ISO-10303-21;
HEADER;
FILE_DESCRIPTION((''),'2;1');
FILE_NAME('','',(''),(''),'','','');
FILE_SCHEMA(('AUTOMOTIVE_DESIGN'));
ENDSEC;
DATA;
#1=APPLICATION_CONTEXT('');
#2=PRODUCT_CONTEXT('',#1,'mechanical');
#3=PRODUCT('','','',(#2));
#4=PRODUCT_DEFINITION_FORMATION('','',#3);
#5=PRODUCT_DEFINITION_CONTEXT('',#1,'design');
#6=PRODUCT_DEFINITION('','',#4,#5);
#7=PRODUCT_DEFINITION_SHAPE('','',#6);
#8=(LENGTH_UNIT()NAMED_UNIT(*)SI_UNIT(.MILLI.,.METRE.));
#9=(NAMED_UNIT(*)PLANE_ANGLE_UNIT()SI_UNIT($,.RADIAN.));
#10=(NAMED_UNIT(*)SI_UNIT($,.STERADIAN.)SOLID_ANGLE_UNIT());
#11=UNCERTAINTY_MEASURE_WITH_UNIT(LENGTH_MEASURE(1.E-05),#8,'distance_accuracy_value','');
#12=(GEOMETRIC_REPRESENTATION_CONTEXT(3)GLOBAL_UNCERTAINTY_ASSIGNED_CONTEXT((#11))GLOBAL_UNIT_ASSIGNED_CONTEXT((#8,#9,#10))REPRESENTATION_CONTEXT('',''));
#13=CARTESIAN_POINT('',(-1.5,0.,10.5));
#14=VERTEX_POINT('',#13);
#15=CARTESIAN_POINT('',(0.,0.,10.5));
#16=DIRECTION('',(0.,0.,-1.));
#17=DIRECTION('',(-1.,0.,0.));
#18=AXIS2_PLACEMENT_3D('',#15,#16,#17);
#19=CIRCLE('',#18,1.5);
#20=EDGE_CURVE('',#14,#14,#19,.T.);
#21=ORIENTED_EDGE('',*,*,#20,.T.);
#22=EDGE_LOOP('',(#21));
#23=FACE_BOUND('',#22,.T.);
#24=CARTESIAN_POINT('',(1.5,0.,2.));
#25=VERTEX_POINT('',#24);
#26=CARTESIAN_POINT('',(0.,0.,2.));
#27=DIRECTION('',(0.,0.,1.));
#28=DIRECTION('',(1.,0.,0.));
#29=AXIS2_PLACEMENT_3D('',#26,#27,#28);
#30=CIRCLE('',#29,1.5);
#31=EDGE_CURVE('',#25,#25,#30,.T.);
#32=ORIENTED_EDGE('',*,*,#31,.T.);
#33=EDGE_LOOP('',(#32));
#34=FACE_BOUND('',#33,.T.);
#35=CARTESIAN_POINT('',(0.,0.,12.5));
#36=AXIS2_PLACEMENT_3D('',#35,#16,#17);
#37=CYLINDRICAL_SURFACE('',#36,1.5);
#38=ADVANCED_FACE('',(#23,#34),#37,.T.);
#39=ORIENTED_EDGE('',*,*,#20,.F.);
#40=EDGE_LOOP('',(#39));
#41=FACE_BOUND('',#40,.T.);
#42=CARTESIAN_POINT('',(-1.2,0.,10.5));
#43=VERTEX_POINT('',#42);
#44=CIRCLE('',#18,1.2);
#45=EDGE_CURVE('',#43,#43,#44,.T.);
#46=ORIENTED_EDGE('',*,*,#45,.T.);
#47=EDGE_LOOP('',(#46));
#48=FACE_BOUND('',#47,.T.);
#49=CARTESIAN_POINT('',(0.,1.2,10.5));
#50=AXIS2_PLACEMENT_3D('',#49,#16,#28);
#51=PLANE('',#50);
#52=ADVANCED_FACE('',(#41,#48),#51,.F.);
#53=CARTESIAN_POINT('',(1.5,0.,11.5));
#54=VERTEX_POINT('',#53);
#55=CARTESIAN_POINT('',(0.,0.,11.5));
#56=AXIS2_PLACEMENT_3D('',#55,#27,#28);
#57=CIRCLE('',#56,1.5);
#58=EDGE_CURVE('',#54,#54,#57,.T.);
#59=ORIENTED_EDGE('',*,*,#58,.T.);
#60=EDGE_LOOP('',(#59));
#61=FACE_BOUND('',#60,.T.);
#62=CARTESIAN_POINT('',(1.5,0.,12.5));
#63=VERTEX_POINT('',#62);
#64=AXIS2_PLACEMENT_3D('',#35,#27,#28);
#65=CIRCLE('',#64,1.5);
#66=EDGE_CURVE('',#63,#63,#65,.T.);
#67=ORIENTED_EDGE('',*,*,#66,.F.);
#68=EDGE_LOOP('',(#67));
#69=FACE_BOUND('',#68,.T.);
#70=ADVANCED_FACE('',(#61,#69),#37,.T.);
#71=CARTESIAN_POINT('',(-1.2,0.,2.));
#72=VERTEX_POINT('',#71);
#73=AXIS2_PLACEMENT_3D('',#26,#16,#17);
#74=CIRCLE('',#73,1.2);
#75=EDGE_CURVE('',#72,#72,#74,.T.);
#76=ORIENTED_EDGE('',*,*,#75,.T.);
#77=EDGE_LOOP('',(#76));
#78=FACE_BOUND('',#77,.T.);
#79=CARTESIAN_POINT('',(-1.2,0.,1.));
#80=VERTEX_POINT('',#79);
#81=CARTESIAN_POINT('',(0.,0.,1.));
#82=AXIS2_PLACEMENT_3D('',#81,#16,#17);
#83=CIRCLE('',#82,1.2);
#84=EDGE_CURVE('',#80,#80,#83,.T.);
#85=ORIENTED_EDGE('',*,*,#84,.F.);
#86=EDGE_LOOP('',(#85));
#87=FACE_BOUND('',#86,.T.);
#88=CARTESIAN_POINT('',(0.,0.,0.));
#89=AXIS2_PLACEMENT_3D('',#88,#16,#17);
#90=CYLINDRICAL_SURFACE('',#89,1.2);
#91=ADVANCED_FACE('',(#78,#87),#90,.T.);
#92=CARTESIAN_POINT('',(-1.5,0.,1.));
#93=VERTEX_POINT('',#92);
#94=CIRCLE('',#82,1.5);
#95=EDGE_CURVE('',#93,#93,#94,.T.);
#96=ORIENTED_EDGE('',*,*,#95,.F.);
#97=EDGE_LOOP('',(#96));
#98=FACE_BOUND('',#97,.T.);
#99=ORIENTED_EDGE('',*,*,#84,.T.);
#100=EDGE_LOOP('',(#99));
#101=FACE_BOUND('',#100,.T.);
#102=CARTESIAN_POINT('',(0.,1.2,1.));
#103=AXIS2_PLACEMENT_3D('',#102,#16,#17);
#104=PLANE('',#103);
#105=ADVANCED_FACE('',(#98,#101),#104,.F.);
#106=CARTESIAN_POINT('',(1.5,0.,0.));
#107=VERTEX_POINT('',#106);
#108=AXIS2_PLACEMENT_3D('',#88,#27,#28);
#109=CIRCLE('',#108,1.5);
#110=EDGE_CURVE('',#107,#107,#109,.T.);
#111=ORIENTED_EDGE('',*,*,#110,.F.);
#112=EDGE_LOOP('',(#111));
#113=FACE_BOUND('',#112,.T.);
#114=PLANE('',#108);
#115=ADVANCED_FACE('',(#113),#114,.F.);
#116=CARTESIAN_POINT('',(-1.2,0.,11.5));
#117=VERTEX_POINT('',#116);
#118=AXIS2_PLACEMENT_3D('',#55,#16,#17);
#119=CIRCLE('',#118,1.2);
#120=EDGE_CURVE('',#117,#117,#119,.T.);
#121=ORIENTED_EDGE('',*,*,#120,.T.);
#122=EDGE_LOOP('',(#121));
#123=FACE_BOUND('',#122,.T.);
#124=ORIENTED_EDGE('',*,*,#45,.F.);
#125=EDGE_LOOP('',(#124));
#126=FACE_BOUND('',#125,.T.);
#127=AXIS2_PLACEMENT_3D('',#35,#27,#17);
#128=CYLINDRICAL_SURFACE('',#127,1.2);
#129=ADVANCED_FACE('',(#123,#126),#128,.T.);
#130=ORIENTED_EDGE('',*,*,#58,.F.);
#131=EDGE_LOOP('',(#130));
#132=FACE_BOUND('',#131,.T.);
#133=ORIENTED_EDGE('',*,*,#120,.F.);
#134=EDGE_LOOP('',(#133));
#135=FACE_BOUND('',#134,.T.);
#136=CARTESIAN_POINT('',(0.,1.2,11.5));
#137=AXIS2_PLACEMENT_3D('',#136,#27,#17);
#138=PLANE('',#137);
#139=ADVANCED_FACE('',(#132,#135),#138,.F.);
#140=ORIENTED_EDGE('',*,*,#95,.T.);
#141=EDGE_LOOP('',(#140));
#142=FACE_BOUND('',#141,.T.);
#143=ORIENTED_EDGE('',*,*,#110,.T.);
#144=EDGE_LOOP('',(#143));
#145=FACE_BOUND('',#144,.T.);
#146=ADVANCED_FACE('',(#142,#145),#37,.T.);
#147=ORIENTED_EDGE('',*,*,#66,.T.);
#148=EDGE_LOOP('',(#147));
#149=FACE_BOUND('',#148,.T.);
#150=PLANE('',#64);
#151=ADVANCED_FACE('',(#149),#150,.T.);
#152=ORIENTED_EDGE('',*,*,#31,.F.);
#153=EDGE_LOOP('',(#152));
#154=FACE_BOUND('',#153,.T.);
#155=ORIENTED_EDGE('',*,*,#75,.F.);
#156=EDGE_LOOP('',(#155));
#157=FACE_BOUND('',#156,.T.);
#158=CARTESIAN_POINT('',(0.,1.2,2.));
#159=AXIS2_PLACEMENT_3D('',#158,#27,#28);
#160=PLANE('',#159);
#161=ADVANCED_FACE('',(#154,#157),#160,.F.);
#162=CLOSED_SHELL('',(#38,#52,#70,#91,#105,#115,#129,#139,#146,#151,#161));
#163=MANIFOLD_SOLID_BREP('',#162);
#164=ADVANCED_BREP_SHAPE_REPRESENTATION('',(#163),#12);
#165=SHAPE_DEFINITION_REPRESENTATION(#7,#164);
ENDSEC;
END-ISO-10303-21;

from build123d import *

# Parameters (mm, degrees)
SKETCH1_R           = 1.5
BOSS_EXTRUDE1_DEPTH = 12.5
SKETCH2_W           = 1
SKETCH2_H           = 1.937236023


with BuildPart() as part:
    # Sketch1 → Boss-Extrude1 (new body)
    with BuildSketch(Plane.XY):
        Circle(SKETCH1_R)
    extrude(amount=BOSS_EXTRUDE1_DEPTH)

    # Sketch2 → Cut-Revolve1 (revolve, cut)
    with BuildSketch(Plane(origin=(0, 0, 0), x_dir=(0, 0, -1), z_dir=(1, 0, 0)), mode=Mode.PRIVATE) as cut_revolve1_sk:
        with Locations((-1.5, 2.168618012)):
            Rectangle(SKETCH2_W, SKETCH2_H)
    cut_revolve1 = revolve(cut_revolve1_sk.sketch.rotate(Axis((0, 0, 0), (0, 0, 1)), 90), axis=Axis((0, 0, 0), (0, 0, 1)), mode=Mode.SUBTRACT)

    # Mirror1: Cut-Revolve1 across plane
    add(cut_revolve1.mirror(Plane.XY.offset(6.25)), mode=Mode.SUBTRACT)


solid = part.part
